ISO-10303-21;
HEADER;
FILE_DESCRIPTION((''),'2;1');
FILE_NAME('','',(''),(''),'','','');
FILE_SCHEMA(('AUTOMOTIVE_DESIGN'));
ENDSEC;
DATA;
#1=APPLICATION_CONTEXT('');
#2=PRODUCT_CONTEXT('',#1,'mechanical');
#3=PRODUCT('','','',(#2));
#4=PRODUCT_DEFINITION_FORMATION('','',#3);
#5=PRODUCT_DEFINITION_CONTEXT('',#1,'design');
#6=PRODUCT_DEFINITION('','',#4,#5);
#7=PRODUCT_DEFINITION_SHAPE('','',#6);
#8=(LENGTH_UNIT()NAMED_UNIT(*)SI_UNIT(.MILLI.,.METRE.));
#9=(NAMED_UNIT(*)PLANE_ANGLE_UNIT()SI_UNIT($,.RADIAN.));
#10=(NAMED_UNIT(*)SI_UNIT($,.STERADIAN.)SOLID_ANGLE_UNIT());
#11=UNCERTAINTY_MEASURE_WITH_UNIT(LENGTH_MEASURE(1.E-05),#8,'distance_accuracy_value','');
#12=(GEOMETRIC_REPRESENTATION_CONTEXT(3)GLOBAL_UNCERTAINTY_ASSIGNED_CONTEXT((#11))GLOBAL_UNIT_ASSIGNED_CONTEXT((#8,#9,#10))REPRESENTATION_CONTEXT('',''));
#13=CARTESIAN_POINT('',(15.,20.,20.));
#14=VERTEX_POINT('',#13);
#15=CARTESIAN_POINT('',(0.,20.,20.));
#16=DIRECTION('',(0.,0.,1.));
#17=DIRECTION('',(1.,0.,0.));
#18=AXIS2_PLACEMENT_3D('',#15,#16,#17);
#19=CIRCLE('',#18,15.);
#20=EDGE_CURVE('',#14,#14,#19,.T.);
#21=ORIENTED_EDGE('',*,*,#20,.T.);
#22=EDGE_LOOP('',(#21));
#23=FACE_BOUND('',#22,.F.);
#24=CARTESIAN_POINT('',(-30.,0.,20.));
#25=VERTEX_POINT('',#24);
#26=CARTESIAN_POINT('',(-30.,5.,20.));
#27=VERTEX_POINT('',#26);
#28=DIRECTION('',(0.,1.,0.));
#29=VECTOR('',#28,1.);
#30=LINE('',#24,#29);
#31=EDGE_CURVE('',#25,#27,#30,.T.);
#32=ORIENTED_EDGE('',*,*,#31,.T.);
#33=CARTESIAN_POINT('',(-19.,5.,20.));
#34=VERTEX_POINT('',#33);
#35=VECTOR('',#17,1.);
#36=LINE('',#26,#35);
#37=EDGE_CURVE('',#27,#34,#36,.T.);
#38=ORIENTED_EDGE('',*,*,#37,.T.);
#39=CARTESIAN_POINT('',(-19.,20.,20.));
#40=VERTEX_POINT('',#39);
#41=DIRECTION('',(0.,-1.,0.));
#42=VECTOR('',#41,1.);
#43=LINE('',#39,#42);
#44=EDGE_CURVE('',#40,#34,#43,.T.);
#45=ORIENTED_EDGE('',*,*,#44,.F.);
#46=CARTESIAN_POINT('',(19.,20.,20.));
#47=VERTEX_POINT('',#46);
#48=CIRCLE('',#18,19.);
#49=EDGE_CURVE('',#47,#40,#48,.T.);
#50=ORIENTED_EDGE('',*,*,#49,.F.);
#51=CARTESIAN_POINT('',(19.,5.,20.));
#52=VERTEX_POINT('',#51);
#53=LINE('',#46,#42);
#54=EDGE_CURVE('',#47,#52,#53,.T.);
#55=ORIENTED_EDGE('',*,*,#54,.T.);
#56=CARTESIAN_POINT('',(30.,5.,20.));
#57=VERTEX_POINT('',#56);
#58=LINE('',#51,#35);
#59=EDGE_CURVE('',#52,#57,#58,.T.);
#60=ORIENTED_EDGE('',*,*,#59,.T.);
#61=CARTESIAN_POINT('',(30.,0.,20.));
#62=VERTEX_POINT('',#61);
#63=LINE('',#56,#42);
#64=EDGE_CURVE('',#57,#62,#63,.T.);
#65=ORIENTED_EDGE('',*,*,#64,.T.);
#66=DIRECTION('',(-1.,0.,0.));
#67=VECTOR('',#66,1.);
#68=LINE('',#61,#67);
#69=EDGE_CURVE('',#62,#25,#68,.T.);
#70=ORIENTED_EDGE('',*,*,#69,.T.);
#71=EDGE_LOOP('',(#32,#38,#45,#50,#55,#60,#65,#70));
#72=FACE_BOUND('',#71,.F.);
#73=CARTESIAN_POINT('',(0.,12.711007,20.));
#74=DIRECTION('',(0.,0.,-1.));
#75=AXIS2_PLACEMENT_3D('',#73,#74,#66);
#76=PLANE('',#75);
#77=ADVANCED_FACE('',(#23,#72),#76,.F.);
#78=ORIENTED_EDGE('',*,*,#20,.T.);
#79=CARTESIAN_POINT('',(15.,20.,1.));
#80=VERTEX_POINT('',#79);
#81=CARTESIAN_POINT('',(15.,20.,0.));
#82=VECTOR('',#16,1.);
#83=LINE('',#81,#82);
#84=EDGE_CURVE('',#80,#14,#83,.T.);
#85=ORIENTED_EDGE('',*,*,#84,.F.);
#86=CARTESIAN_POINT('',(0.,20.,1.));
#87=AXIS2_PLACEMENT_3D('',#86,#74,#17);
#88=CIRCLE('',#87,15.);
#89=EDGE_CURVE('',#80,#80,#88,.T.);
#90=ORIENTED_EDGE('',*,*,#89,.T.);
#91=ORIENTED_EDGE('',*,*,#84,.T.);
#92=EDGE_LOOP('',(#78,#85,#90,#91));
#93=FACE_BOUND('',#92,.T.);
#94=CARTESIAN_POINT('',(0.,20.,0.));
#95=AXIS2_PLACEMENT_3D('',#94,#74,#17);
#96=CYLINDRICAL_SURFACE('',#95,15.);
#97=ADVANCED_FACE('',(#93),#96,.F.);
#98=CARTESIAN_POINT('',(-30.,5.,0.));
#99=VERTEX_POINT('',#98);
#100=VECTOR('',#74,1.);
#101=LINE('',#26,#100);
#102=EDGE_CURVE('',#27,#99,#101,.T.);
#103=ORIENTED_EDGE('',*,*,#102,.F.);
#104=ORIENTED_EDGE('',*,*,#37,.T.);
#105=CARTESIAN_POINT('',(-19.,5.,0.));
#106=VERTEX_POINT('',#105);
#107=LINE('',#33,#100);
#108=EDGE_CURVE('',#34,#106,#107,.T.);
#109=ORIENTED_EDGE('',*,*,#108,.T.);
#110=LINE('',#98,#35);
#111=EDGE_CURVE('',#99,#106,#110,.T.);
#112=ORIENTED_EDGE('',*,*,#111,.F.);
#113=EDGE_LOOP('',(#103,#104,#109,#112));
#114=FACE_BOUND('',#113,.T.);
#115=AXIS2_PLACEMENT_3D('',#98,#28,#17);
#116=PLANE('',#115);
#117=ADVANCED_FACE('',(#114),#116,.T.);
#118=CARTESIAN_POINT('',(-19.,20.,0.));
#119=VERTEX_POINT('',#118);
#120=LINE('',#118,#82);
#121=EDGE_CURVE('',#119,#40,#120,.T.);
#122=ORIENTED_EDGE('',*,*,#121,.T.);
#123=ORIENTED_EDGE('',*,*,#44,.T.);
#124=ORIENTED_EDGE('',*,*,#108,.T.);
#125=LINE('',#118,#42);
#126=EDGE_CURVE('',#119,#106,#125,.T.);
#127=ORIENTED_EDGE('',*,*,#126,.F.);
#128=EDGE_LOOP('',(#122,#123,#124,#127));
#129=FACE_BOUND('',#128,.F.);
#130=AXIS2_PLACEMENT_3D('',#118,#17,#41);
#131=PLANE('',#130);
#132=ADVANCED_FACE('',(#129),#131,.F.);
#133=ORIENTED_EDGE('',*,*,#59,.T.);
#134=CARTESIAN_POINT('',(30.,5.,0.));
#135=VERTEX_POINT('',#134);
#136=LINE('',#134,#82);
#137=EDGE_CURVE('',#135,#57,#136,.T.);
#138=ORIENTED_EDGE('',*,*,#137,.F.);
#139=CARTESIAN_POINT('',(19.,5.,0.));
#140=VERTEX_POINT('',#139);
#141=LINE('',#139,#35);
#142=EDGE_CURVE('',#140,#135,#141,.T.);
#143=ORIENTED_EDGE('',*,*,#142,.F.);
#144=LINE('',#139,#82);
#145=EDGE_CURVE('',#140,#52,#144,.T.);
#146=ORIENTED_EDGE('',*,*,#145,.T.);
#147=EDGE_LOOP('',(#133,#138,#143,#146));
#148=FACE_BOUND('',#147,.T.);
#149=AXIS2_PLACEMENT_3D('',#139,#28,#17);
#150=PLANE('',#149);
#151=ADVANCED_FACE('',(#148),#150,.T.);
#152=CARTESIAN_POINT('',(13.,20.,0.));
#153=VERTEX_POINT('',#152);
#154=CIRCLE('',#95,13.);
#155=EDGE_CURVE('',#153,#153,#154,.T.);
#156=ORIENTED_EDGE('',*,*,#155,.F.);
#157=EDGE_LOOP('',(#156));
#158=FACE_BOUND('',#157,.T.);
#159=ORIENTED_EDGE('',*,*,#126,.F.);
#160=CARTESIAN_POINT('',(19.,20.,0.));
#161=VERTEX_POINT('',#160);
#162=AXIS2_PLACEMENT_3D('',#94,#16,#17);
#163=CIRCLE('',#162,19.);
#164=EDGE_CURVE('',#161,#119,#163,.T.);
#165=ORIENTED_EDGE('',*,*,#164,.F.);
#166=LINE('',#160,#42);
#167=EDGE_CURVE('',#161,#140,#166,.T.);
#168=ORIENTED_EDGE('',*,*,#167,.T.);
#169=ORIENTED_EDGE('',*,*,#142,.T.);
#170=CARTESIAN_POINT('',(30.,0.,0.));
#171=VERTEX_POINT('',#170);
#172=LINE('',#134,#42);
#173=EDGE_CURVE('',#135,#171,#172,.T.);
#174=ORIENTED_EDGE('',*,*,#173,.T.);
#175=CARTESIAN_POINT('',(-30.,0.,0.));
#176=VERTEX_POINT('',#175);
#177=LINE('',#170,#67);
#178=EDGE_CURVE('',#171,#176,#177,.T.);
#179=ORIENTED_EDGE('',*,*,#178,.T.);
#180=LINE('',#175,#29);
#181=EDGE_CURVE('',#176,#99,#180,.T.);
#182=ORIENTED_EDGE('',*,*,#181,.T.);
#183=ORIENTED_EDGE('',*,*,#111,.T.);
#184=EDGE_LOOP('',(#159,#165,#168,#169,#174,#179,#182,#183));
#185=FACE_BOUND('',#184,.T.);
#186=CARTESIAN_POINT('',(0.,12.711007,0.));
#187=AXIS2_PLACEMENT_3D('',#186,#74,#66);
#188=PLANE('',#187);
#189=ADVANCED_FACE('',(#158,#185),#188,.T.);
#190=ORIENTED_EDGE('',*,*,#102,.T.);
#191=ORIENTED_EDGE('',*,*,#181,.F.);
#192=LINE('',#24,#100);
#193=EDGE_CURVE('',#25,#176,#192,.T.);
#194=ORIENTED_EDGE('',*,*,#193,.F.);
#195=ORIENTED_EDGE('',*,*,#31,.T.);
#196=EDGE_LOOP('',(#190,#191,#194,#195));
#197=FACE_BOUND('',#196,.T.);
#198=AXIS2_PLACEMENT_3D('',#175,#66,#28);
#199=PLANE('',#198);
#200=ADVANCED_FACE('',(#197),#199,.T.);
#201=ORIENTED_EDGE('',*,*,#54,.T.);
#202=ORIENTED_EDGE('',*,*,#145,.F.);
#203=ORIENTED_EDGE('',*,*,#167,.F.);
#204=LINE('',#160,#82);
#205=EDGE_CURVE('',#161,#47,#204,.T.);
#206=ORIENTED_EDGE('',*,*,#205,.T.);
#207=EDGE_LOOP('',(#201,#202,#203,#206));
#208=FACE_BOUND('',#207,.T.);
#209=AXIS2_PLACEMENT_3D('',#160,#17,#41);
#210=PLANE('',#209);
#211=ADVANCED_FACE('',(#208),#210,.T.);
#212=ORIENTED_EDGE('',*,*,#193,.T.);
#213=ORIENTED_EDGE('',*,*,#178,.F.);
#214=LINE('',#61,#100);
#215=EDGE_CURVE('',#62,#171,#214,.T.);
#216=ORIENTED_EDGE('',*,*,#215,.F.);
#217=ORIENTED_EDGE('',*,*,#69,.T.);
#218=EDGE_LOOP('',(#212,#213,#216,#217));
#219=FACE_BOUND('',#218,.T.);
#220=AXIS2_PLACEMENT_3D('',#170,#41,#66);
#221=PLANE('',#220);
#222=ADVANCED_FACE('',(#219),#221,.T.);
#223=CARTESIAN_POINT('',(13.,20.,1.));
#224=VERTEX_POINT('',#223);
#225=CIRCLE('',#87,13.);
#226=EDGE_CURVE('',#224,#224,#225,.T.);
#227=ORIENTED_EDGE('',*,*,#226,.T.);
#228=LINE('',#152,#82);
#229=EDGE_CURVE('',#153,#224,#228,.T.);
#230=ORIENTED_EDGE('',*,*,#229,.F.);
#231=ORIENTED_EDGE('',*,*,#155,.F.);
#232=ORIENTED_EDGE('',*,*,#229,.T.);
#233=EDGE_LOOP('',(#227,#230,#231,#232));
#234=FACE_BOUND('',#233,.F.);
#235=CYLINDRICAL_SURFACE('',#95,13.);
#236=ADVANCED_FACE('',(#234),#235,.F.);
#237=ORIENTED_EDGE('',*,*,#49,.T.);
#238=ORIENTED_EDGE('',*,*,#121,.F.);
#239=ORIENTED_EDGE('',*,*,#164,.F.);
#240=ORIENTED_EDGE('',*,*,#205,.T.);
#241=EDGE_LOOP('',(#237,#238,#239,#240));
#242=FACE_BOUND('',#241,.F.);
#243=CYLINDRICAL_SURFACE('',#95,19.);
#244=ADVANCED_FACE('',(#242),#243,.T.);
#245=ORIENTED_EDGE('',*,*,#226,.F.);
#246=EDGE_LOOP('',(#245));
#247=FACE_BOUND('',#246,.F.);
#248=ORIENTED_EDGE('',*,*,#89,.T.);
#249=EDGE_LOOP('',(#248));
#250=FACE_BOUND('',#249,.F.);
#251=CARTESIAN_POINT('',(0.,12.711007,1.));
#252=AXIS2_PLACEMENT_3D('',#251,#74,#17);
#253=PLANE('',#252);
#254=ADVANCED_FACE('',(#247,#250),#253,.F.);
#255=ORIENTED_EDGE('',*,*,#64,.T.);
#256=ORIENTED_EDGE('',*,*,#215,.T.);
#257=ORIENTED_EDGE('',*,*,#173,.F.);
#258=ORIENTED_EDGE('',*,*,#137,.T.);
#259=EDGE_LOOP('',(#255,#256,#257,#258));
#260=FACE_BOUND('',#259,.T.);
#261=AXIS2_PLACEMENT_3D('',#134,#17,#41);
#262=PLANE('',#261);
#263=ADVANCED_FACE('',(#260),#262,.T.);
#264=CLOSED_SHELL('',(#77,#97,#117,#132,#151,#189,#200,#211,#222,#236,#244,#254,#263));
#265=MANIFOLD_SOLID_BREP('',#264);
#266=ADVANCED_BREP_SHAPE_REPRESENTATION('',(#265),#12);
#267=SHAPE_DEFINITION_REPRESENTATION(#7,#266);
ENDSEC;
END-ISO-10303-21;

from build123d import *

# Parameters (mm, degrees)
SKETCH_R     = 15
PAD_DEPTH    = 20
SKETCH001_R  = 13
PAD001_DEPTH = 1


with BuildPart() as part:
    # Sketch → Pad (new body)
    with BuildSketch(Plane.XY):
        with BuildLine():
            Line((30, 5), (30, 0))
            Line((30, 0), (-30, 0))
            Line((-30, 0), (-30, 5))
            Line((-30, 5), (-19, 5))
            Line((-19, 20), (-19, 5))
            ThreePointArc((19, 20), (0, 39), (-19, 20))
            Line((19, 20), (19, 5))
            Line((19, 5), (30, 5))
        make_face()
        with Locations((0, 20)):
            Circle(SKETCH_R, mode=Mode.SUBTRACT)
    extrude(amount=PAD_DEPTH)

    # Sketch001 (on Face10 of Pad) → Pad001 (join)
    with BuildSketch(Plane(origin=(0, 0, 0), x_dir=(1, 0, 0), z_dir=(0, 0, -1))):
        with BuildLine():
            ThreePointArc((-19, -20), (0, -39), (19, -20))
            Line((19, -5), (19, -20))
            Line((30, -5), (19, -5))
            Line((30, 0), (30, -5))
            Line((-30, 0), (30, 0))
            Line((-30, -5), (-30, 0))
            Line((-19, -5), (-30, -5))
            Line((-19, -20), (-19, -5))
        make_face()
        with Locations((0, -20)):
            Circle(SKETCH001_R, mode=Mode.SUBTRACT)
    extrude(amount=-PAD001_DEPTH)


solid = part.part
